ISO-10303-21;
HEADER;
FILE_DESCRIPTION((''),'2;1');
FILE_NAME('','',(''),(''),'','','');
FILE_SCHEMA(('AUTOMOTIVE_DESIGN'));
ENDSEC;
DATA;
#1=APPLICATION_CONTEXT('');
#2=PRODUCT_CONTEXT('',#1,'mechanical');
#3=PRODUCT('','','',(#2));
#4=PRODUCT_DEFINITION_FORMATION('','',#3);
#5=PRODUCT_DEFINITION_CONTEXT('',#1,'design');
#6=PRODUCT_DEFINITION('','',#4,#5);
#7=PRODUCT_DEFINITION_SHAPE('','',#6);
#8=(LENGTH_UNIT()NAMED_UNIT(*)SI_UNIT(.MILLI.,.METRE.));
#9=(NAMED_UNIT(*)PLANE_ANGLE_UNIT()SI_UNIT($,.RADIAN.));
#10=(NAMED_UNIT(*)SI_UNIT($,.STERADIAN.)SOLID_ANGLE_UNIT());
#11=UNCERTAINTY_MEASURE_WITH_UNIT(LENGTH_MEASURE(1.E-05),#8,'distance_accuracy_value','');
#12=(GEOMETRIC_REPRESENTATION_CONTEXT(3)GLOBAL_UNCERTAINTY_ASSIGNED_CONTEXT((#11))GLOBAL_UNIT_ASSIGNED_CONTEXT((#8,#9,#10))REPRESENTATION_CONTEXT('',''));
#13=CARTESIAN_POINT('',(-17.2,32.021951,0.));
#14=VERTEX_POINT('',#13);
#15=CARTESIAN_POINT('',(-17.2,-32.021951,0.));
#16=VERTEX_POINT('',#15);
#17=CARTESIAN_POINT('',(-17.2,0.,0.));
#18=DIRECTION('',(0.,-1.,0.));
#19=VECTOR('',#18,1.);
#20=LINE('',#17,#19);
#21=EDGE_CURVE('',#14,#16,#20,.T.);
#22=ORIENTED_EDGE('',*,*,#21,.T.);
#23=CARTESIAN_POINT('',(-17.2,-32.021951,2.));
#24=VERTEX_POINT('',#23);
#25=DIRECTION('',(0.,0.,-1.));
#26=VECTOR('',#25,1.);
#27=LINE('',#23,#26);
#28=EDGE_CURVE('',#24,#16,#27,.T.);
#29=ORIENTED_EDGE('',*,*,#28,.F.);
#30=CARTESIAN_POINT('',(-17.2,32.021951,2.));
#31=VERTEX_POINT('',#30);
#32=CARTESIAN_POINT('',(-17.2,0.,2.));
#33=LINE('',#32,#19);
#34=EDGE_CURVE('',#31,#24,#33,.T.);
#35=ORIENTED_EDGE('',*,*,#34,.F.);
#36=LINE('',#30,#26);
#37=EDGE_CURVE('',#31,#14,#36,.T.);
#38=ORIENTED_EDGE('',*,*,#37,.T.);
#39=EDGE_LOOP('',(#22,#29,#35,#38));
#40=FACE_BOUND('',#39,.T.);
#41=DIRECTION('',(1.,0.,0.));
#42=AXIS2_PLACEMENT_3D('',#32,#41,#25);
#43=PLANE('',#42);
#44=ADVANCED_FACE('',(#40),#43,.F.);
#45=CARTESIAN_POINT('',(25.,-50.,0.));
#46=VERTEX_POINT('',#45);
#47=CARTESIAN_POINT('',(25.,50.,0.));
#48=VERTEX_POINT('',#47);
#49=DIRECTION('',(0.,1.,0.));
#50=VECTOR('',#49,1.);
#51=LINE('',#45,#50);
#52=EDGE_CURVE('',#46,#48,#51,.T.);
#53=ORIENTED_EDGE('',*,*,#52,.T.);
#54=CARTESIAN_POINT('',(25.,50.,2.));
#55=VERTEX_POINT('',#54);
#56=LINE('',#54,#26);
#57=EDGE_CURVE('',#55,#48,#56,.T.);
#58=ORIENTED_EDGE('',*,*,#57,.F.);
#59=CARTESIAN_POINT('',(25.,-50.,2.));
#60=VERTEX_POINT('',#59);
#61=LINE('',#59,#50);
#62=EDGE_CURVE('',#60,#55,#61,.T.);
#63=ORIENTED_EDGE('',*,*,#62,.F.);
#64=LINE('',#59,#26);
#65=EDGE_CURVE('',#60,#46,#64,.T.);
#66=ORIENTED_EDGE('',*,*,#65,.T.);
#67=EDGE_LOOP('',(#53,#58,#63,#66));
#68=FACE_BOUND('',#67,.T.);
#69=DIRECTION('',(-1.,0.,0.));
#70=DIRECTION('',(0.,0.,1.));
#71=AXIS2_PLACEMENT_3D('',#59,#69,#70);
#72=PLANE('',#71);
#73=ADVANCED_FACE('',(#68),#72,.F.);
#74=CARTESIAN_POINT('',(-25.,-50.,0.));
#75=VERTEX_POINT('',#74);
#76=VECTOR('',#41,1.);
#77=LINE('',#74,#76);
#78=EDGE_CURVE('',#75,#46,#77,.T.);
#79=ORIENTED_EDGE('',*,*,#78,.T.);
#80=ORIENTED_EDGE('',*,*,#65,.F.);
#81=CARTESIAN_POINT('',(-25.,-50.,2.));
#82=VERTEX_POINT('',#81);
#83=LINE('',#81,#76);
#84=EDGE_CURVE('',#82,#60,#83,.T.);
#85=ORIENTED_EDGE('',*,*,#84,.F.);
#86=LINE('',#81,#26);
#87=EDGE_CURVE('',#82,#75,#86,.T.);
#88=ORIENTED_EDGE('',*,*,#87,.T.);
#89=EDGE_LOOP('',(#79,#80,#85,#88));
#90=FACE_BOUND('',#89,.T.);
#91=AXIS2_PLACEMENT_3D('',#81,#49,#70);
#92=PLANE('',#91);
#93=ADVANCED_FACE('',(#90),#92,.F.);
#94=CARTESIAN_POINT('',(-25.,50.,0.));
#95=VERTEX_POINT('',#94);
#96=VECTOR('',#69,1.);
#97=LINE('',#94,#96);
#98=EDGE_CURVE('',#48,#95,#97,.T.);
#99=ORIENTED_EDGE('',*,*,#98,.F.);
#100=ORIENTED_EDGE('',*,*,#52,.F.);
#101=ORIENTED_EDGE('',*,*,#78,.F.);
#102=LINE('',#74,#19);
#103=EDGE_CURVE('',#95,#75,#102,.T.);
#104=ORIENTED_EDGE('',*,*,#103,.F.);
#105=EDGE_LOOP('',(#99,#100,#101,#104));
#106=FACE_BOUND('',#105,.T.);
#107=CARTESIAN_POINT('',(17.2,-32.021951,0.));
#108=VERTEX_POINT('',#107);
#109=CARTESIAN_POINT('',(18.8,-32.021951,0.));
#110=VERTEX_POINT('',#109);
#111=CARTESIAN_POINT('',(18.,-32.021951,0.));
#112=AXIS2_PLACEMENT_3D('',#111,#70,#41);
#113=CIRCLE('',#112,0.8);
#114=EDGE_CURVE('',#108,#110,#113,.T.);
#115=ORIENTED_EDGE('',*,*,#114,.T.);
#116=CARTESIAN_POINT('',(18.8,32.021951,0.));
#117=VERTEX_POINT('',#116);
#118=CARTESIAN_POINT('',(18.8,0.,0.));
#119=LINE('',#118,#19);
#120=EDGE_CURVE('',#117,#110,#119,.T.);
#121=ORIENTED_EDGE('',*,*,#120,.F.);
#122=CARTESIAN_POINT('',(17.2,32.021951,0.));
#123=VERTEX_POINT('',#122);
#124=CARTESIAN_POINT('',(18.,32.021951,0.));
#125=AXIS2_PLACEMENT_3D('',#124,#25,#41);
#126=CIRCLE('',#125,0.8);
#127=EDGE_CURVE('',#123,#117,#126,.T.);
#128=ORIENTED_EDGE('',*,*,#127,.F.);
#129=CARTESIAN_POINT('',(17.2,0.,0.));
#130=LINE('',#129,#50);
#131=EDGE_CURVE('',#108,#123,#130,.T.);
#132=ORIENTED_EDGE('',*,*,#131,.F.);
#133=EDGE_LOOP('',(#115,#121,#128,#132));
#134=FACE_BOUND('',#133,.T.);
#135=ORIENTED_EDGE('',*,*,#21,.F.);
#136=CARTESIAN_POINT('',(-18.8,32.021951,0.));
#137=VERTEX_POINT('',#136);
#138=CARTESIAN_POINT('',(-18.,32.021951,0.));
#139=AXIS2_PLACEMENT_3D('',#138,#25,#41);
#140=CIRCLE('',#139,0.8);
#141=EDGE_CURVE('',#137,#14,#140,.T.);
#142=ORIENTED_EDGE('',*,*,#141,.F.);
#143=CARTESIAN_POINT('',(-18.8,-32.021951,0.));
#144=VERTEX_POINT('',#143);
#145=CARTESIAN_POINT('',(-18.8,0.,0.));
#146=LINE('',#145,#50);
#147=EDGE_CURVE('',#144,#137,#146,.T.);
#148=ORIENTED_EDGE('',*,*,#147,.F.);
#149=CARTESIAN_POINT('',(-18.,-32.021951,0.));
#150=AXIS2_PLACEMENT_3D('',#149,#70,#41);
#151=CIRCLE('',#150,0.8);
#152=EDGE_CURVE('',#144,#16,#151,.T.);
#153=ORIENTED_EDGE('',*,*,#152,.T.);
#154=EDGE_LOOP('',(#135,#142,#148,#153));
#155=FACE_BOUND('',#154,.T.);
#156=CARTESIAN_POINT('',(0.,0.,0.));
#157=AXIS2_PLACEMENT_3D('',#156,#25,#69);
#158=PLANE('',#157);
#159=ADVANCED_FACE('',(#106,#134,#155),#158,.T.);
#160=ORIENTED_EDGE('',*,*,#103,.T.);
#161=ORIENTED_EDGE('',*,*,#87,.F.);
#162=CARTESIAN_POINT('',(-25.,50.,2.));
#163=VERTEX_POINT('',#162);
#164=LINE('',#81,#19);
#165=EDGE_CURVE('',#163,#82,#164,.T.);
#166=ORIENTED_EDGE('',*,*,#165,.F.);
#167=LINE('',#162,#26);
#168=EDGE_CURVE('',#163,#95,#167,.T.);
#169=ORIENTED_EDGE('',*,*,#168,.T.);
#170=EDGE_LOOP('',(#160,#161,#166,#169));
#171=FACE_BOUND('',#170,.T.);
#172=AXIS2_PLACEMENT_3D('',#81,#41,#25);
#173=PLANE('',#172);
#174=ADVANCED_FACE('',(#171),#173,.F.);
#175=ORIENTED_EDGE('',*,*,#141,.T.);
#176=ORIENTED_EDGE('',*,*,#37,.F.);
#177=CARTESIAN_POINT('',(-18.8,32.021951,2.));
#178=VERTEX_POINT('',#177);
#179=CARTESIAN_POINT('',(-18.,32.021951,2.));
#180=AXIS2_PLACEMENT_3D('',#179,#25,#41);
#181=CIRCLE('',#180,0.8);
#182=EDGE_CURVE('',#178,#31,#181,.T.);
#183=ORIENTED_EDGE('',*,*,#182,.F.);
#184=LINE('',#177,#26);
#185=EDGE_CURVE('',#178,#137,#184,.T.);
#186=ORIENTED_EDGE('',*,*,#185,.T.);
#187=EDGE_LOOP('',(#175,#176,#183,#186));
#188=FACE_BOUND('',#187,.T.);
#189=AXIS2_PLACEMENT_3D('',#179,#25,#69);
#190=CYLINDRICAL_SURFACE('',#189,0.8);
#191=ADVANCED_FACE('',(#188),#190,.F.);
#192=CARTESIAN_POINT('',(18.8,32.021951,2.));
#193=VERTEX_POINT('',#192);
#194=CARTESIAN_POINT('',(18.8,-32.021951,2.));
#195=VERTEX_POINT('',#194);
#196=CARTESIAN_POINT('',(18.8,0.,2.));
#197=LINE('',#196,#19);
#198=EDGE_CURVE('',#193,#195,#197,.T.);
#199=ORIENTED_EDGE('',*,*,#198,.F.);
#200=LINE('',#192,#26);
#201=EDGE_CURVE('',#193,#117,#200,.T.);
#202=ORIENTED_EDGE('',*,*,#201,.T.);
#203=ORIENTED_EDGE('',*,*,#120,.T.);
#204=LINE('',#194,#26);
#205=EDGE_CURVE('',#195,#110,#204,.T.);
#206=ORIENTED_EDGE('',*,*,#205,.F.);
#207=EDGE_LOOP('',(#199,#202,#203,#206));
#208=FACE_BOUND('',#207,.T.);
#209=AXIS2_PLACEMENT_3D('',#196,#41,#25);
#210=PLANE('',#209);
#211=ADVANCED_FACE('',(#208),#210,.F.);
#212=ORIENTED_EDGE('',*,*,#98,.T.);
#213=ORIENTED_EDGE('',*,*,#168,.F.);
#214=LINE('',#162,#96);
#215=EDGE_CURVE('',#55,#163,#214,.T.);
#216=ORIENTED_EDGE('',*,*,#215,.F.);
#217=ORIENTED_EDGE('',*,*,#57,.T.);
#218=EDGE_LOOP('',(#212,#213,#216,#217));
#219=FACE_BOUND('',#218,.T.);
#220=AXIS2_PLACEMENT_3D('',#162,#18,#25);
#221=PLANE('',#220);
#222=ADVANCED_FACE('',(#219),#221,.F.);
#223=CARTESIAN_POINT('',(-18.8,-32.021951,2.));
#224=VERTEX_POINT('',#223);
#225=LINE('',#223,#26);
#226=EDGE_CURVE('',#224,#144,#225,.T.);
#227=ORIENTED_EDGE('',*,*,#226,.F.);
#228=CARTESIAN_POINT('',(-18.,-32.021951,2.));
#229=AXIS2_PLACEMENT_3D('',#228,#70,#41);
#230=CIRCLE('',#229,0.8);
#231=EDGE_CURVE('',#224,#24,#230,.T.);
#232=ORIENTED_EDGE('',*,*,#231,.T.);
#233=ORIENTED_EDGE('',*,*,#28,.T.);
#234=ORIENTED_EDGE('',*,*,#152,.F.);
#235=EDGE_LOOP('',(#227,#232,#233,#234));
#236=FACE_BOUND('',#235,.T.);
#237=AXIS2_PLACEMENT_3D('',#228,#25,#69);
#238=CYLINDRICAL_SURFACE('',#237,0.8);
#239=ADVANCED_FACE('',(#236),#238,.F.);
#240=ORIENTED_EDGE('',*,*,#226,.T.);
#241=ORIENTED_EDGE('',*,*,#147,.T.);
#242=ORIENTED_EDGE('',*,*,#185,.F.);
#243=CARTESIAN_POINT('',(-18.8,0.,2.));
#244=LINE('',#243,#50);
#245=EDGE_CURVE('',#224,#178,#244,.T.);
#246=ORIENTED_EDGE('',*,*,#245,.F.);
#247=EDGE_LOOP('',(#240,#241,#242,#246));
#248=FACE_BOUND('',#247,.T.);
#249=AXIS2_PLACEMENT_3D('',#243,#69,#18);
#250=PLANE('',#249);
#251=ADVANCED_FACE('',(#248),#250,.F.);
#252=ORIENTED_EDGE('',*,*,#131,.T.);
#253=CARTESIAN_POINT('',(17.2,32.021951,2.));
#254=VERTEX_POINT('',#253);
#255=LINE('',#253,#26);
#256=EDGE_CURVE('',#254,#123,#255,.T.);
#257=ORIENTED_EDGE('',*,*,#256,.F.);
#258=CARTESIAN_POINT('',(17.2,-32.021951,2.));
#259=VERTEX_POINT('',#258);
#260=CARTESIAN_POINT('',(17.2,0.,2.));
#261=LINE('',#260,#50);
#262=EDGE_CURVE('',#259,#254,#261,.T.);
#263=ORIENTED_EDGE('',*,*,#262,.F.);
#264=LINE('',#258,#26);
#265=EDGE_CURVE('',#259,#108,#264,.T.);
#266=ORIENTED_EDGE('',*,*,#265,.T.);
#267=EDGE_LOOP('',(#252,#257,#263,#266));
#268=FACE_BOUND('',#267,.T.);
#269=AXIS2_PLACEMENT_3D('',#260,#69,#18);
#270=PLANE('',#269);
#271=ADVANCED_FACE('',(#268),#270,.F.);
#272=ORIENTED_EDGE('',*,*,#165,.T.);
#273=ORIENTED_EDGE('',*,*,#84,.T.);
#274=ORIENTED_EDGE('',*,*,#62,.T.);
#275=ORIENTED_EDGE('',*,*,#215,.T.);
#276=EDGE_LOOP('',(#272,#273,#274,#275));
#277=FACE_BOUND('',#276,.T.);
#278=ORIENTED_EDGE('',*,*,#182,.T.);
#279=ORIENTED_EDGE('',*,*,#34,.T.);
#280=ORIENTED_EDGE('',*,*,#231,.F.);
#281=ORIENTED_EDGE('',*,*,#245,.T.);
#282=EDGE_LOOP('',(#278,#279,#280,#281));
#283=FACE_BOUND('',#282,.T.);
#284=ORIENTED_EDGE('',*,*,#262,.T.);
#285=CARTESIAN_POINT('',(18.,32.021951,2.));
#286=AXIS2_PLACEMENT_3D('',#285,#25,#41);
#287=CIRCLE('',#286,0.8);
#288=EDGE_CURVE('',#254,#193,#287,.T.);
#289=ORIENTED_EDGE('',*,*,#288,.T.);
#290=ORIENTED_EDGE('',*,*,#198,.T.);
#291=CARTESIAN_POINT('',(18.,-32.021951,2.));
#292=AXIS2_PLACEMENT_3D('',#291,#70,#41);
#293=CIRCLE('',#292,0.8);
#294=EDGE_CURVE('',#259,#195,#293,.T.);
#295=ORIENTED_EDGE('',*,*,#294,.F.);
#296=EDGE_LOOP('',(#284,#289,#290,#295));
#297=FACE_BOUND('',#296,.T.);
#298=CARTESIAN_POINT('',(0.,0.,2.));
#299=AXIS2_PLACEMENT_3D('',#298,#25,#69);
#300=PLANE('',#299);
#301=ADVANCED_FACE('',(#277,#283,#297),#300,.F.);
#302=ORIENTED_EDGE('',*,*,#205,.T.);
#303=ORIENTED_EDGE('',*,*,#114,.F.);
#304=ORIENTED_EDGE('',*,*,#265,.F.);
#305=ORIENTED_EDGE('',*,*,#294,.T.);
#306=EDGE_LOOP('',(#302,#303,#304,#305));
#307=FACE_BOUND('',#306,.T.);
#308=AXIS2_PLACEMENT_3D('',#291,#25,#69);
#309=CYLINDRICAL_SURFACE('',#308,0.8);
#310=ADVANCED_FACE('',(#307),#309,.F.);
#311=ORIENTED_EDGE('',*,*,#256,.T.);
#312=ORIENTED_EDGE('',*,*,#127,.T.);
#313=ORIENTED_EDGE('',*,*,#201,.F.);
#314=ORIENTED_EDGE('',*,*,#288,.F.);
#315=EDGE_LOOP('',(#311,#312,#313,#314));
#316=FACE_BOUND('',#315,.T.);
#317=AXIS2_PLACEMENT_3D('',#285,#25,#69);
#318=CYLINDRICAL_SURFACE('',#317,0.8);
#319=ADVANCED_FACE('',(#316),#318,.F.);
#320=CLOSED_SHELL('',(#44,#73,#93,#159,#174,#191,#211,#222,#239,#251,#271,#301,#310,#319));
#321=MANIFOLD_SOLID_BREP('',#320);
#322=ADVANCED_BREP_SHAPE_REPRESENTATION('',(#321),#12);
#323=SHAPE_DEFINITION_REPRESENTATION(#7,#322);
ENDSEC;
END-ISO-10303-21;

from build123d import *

# Parameters (mm, degrees)
SKETCH1_W            = 50
SKETCH1_H            = 100
BOSS_EXTRUDE1_DEPTH  = 2
CUT_EXTRUDE1_DEPTH   = 56.937465084
LPATTERN1_COUNT      = 2
LPATTERN1_PITCH      = 36
MIRROR1_COPY_1_DEPTH = 56.937465084


with BuildPart() as part:
    # Sketch1 → Boss-Extrude1 (new body)
    with BuildSketch(Plane.XY):
        Rectangle(SKETCH1_W, SKETCH1_H)
    extrude(amount=BOSS_EXTRUDE1_DEPTH)

    # Sketch2 → Cut-Extrude1 (cut, through all)
    with BuildSketch(Plane(origin=(0, 0, 0), x_dir=(-1, 0, 0), z_dir=(0, 0, -1))):
        with BuildLine():
            Line((-18.8, 0), (-17.2, 0))
            Line((-17.2, 0), (-17.2, 32.021950636))
            ThreePointArc((-17.2, 32.021950636), (-18, 32.821950636), (-18.8, 32.021950636))
            Line((-18.8, 32.021950636), (-18.8, 0))
        make_face()
    cut_extrude1 = extrude(amount=-CUT_EXTRUDE1_DEPTH, mode=Mode.SUBTRACT)

    # LPattern1: Cut-Extrude1 ×2
    with Locations(*[(-i * LPATTERN1_PITCH, 0, 0) for i in range(1, LPATTERN1_COUNT)]):
        add(cut_extrude1, mode=Mode.SUBTRACT)

    # Mirror1: Cut-Extrude1 across plane
    add(cut_extrude1.mirror(Plane.ZX), mode=Mode.SUBTRACT)

    # Mirror1 copy 1 sketch → Mirror1 copy 1 (cut, through all)
    with BuildSketch(Plane(origin=(-36, 0, 0), x_dir=(-1, 0, 0), z_dir=(0, 0, -1))):
        with BuildLine():
            Line((-18.8, 0), (-17.2, 0))
            Line((-17.2, 0), (-17.2, -32.021950636))
            ThreePointArc((-17.2, -32.021950636), (-18, -32.821950636), (-18.8, -32.021950636))
            Line((-18.8, -32.021950636), (-18.8, 0))
        make_face()
    extrude(amount=-MIRROR1_COPY_1_DEPTH, mode=Mode.SUBTRACT)


solid = part.part
